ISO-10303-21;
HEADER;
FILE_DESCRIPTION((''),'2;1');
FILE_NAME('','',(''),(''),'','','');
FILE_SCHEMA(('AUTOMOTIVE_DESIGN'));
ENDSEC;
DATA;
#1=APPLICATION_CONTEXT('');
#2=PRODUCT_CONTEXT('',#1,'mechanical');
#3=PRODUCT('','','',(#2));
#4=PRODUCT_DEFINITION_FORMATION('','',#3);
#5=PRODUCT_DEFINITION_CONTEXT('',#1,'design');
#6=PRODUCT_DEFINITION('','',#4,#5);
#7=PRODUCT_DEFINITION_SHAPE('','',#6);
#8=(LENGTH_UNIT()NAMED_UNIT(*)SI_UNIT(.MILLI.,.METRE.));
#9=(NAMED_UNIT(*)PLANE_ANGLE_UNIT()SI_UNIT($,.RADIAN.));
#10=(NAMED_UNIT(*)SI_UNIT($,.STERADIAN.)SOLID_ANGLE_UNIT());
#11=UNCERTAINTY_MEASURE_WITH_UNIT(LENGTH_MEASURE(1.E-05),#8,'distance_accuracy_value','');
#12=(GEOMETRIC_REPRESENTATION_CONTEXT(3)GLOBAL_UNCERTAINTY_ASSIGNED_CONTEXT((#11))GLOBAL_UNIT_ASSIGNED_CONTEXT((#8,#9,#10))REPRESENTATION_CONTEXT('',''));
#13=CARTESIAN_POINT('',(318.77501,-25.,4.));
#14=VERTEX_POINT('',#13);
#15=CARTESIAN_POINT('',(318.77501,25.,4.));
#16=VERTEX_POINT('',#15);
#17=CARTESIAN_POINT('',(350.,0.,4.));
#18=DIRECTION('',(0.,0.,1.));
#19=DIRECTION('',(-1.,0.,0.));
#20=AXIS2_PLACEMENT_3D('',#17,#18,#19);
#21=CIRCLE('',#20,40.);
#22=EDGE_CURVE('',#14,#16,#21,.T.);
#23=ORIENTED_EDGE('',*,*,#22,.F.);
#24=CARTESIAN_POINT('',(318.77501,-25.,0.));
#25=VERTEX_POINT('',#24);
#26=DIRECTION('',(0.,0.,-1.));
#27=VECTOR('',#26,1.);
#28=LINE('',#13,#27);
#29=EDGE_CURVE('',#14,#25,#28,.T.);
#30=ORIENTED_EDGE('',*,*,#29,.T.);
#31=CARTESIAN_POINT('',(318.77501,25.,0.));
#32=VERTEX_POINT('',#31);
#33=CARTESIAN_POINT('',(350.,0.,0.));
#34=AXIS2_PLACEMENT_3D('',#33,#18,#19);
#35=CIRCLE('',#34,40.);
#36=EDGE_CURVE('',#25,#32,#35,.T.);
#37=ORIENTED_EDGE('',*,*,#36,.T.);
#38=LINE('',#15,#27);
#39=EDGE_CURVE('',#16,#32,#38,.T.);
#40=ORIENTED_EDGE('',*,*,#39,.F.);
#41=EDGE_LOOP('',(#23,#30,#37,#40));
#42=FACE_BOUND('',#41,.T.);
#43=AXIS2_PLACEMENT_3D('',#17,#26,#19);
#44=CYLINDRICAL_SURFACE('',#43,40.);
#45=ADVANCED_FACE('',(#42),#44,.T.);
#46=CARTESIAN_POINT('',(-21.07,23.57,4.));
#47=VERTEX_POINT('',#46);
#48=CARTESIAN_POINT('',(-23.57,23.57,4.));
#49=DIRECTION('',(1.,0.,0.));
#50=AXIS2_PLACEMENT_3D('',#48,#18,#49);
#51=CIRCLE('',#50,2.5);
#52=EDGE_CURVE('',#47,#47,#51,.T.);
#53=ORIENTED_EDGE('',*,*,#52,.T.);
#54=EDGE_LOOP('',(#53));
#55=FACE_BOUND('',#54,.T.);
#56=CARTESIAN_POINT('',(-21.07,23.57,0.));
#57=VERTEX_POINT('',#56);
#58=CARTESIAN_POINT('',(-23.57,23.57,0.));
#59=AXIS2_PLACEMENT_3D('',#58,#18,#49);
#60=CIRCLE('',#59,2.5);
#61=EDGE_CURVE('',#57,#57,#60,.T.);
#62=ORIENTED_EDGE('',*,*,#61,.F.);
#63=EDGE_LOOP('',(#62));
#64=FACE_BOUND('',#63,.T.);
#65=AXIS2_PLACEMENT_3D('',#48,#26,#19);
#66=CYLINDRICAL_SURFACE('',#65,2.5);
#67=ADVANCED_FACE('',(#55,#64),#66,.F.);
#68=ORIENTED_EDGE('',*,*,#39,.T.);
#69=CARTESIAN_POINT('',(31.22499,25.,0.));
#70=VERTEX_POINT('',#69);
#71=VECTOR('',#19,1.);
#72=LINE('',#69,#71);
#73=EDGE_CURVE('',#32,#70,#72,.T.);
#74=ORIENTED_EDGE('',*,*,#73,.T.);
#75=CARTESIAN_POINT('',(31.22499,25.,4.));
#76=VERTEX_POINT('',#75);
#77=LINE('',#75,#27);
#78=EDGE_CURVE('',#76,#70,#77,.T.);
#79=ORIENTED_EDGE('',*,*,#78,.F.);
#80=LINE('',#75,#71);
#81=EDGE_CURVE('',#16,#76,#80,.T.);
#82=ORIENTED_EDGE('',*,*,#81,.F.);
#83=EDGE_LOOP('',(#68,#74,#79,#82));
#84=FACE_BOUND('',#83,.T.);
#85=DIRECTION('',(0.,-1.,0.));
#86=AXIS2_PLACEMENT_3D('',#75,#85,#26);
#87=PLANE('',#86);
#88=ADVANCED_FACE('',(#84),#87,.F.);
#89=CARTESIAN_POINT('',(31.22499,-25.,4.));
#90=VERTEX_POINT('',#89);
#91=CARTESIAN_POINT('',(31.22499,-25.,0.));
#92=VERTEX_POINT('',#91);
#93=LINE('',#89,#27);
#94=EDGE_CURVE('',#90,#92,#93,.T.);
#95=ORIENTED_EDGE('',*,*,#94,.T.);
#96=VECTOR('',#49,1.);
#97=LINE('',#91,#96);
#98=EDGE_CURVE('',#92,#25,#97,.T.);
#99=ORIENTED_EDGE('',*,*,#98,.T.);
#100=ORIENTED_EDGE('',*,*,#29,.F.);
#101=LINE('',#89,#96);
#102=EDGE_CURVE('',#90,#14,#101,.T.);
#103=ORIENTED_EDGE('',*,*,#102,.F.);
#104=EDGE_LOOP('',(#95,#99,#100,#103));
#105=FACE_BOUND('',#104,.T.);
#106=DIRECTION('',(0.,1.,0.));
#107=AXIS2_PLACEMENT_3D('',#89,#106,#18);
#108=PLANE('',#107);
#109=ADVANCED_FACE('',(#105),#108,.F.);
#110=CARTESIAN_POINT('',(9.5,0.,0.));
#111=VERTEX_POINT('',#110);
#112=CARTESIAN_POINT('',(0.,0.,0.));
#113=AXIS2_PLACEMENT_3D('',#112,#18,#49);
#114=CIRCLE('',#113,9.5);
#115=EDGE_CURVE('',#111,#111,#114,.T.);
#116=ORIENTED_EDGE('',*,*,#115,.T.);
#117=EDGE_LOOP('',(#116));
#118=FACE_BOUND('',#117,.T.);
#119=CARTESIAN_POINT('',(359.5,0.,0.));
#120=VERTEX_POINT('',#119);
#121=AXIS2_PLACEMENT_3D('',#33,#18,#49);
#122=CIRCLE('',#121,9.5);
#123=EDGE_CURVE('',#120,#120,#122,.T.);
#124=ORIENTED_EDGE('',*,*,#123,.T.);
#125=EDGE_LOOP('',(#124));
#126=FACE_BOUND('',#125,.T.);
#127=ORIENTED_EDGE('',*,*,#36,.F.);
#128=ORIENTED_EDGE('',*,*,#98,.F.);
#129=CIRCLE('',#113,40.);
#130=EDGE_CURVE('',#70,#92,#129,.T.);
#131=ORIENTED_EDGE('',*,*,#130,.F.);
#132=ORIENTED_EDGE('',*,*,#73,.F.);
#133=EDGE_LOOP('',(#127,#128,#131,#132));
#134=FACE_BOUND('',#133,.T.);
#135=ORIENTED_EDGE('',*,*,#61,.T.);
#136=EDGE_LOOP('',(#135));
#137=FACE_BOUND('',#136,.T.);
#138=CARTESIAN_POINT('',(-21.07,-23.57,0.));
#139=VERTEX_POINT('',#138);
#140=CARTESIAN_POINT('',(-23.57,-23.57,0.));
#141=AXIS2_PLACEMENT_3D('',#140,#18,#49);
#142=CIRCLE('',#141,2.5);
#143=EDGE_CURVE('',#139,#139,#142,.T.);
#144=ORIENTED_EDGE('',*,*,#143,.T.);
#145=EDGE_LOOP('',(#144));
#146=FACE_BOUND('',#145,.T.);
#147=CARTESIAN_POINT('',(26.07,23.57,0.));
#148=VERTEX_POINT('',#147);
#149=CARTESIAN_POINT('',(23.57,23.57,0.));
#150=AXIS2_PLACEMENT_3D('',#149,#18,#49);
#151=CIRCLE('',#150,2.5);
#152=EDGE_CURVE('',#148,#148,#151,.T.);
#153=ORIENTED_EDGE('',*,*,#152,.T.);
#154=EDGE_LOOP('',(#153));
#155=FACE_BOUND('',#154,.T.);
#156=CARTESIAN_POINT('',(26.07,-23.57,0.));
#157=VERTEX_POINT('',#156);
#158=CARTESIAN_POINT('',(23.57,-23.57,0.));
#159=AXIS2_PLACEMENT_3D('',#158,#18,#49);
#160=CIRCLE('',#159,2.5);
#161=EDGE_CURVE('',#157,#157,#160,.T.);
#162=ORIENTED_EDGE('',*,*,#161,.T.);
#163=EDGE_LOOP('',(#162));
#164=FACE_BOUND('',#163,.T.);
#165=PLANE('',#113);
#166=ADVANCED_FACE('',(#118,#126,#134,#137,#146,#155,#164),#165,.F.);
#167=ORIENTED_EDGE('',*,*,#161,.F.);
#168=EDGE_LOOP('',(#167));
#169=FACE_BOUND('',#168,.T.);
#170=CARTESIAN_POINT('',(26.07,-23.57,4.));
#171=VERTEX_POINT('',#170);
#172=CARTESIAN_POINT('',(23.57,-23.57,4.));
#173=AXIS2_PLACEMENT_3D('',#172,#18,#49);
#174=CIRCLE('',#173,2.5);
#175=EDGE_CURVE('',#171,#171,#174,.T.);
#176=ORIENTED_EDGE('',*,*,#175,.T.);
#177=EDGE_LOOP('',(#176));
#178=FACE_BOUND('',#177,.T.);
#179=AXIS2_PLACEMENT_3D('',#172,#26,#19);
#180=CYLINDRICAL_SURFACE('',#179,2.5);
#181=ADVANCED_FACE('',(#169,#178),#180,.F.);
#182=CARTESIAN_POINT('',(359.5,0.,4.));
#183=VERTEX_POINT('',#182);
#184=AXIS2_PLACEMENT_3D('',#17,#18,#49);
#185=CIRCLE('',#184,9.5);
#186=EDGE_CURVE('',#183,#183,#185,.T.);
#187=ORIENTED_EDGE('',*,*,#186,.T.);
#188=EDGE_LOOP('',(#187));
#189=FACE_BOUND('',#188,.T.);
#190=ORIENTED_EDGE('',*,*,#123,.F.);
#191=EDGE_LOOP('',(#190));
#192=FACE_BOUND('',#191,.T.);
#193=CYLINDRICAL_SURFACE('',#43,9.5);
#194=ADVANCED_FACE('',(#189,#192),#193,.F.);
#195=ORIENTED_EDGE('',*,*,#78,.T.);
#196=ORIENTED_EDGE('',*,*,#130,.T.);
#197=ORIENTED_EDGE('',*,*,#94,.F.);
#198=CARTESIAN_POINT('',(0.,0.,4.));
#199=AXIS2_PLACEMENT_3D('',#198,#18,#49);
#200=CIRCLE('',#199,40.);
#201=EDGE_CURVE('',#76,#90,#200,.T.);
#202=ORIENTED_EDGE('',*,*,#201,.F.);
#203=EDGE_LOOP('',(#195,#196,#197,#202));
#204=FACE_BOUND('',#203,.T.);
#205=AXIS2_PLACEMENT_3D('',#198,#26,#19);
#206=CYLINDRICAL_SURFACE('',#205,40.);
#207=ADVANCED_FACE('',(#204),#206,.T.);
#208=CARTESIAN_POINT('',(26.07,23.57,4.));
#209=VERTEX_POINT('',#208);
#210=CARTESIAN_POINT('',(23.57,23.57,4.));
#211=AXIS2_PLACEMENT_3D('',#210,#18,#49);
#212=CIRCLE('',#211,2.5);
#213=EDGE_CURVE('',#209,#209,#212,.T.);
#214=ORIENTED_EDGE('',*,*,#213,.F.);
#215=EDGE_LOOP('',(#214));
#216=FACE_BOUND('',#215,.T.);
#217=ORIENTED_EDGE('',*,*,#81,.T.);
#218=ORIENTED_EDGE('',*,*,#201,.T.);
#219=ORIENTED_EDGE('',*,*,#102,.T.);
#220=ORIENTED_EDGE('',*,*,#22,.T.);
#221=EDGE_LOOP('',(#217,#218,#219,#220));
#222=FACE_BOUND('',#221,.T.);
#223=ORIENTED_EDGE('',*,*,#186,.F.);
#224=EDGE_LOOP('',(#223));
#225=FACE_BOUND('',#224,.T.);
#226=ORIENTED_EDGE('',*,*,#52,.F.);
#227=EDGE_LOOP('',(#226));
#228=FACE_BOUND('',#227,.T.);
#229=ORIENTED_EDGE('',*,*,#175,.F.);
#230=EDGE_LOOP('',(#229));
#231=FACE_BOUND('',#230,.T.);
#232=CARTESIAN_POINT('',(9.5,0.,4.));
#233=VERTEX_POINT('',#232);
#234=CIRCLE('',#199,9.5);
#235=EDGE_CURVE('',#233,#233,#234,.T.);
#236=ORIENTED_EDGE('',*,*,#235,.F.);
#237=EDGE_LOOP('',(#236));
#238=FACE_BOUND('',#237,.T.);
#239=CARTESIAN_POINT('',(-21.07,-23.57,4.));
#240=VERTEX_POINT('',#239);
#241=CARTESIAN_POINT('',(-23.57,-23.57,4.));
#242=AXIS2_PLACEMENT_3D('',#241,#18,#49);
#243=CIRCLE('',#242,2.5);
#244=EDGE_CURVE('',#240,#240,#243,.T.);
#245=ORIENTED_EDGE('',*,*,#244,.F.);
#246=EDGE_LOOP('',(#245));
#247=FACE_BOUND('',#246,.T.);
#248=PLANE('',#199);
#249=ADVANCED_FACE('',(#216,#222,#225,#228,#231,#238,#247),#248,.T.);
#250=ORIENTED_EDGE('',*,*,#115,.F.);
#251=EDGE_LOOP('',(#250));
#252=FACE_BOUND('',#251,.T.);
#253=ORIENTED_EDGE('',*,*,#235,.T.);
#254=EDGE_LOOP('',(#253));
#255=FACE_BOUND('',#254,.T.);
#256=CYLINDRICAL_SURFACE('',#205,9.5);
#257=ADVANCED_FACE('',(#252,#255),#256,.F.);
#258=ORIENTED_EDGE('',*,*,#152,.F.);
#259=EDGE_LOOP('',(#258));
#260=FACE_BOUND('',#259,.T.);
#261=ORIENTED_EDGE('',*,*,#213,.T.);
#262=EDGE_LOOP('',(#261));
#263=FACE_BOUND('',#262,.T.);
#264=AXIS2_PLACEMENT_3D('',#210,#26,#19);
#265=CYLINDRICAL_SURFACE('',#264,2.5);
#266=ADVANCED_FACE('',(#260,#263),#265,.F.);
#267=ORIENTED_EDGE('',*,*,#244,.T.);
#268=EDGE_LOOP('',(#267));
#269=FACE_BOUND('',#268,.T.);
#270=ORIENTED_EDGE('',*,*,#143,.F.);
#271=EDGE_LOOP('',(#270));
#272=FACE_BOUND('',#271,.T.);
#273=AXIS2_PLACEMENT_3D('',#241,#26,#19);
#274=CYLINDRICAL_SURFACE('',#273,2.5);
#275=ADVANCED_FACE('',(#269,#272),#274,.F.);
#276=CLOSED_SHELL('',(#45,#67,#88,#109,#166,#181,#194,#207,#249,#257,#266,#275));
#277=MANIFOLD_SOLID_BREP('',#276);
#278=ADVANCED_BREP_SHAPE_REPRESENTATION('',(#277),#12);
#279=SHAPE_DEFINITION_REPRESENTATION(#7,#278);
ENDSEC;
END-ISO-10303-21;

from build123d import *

# Parameters (mm, degrees)
SKETCH_1_R      = 2.5
SKETCH_1_R_2    = 9.5
EXTRUDE_1_DEPTH = 4


with BuildPart() as part:
    # 草图1 → 凸台-拉伸1 (new body)
    with BuildSketch(Plane.XY):
        with BuildLine():
            Line((31.224989992, 25), (318.775010008, 25))
            ThreePointArc((318.775010008, 25), (390, 0), (318.775010008, -25))
            Line((318.775010008, -25), (31.224989992, -25))
            ThreePointArc((31.224989992, -25), (-40, 0), (31.224989992, 25))
        make_face()
        with Locations((-23.57, 23.57)):
            Circle(SKETCH_1_R, mode=Mode.SUBTRACT)
        with Locations((23.57, 23.57)):
            Circle(SKETCH_1_R, mode=Mode.SUBTRACT)
        with Locations((23.57, -23.57)):
            Circle(SKETCH_1_R, mode=Mode.SUBTRACT)
        with Locations((-23.57, -23.57)):
            Circle(SKETCH_1_R, mode=Mode.SUBTRACT)
        with Locations((350, 0)):
            Circle(SKETCH_1_R_2, mode=Mode.SUBTRACT)
        Circle(SKETCH_1_R_2, mode=Mode.SUBTRACT)
    extrude(amount=EXTRUDE_1_DEPTH)


solid = part.part
